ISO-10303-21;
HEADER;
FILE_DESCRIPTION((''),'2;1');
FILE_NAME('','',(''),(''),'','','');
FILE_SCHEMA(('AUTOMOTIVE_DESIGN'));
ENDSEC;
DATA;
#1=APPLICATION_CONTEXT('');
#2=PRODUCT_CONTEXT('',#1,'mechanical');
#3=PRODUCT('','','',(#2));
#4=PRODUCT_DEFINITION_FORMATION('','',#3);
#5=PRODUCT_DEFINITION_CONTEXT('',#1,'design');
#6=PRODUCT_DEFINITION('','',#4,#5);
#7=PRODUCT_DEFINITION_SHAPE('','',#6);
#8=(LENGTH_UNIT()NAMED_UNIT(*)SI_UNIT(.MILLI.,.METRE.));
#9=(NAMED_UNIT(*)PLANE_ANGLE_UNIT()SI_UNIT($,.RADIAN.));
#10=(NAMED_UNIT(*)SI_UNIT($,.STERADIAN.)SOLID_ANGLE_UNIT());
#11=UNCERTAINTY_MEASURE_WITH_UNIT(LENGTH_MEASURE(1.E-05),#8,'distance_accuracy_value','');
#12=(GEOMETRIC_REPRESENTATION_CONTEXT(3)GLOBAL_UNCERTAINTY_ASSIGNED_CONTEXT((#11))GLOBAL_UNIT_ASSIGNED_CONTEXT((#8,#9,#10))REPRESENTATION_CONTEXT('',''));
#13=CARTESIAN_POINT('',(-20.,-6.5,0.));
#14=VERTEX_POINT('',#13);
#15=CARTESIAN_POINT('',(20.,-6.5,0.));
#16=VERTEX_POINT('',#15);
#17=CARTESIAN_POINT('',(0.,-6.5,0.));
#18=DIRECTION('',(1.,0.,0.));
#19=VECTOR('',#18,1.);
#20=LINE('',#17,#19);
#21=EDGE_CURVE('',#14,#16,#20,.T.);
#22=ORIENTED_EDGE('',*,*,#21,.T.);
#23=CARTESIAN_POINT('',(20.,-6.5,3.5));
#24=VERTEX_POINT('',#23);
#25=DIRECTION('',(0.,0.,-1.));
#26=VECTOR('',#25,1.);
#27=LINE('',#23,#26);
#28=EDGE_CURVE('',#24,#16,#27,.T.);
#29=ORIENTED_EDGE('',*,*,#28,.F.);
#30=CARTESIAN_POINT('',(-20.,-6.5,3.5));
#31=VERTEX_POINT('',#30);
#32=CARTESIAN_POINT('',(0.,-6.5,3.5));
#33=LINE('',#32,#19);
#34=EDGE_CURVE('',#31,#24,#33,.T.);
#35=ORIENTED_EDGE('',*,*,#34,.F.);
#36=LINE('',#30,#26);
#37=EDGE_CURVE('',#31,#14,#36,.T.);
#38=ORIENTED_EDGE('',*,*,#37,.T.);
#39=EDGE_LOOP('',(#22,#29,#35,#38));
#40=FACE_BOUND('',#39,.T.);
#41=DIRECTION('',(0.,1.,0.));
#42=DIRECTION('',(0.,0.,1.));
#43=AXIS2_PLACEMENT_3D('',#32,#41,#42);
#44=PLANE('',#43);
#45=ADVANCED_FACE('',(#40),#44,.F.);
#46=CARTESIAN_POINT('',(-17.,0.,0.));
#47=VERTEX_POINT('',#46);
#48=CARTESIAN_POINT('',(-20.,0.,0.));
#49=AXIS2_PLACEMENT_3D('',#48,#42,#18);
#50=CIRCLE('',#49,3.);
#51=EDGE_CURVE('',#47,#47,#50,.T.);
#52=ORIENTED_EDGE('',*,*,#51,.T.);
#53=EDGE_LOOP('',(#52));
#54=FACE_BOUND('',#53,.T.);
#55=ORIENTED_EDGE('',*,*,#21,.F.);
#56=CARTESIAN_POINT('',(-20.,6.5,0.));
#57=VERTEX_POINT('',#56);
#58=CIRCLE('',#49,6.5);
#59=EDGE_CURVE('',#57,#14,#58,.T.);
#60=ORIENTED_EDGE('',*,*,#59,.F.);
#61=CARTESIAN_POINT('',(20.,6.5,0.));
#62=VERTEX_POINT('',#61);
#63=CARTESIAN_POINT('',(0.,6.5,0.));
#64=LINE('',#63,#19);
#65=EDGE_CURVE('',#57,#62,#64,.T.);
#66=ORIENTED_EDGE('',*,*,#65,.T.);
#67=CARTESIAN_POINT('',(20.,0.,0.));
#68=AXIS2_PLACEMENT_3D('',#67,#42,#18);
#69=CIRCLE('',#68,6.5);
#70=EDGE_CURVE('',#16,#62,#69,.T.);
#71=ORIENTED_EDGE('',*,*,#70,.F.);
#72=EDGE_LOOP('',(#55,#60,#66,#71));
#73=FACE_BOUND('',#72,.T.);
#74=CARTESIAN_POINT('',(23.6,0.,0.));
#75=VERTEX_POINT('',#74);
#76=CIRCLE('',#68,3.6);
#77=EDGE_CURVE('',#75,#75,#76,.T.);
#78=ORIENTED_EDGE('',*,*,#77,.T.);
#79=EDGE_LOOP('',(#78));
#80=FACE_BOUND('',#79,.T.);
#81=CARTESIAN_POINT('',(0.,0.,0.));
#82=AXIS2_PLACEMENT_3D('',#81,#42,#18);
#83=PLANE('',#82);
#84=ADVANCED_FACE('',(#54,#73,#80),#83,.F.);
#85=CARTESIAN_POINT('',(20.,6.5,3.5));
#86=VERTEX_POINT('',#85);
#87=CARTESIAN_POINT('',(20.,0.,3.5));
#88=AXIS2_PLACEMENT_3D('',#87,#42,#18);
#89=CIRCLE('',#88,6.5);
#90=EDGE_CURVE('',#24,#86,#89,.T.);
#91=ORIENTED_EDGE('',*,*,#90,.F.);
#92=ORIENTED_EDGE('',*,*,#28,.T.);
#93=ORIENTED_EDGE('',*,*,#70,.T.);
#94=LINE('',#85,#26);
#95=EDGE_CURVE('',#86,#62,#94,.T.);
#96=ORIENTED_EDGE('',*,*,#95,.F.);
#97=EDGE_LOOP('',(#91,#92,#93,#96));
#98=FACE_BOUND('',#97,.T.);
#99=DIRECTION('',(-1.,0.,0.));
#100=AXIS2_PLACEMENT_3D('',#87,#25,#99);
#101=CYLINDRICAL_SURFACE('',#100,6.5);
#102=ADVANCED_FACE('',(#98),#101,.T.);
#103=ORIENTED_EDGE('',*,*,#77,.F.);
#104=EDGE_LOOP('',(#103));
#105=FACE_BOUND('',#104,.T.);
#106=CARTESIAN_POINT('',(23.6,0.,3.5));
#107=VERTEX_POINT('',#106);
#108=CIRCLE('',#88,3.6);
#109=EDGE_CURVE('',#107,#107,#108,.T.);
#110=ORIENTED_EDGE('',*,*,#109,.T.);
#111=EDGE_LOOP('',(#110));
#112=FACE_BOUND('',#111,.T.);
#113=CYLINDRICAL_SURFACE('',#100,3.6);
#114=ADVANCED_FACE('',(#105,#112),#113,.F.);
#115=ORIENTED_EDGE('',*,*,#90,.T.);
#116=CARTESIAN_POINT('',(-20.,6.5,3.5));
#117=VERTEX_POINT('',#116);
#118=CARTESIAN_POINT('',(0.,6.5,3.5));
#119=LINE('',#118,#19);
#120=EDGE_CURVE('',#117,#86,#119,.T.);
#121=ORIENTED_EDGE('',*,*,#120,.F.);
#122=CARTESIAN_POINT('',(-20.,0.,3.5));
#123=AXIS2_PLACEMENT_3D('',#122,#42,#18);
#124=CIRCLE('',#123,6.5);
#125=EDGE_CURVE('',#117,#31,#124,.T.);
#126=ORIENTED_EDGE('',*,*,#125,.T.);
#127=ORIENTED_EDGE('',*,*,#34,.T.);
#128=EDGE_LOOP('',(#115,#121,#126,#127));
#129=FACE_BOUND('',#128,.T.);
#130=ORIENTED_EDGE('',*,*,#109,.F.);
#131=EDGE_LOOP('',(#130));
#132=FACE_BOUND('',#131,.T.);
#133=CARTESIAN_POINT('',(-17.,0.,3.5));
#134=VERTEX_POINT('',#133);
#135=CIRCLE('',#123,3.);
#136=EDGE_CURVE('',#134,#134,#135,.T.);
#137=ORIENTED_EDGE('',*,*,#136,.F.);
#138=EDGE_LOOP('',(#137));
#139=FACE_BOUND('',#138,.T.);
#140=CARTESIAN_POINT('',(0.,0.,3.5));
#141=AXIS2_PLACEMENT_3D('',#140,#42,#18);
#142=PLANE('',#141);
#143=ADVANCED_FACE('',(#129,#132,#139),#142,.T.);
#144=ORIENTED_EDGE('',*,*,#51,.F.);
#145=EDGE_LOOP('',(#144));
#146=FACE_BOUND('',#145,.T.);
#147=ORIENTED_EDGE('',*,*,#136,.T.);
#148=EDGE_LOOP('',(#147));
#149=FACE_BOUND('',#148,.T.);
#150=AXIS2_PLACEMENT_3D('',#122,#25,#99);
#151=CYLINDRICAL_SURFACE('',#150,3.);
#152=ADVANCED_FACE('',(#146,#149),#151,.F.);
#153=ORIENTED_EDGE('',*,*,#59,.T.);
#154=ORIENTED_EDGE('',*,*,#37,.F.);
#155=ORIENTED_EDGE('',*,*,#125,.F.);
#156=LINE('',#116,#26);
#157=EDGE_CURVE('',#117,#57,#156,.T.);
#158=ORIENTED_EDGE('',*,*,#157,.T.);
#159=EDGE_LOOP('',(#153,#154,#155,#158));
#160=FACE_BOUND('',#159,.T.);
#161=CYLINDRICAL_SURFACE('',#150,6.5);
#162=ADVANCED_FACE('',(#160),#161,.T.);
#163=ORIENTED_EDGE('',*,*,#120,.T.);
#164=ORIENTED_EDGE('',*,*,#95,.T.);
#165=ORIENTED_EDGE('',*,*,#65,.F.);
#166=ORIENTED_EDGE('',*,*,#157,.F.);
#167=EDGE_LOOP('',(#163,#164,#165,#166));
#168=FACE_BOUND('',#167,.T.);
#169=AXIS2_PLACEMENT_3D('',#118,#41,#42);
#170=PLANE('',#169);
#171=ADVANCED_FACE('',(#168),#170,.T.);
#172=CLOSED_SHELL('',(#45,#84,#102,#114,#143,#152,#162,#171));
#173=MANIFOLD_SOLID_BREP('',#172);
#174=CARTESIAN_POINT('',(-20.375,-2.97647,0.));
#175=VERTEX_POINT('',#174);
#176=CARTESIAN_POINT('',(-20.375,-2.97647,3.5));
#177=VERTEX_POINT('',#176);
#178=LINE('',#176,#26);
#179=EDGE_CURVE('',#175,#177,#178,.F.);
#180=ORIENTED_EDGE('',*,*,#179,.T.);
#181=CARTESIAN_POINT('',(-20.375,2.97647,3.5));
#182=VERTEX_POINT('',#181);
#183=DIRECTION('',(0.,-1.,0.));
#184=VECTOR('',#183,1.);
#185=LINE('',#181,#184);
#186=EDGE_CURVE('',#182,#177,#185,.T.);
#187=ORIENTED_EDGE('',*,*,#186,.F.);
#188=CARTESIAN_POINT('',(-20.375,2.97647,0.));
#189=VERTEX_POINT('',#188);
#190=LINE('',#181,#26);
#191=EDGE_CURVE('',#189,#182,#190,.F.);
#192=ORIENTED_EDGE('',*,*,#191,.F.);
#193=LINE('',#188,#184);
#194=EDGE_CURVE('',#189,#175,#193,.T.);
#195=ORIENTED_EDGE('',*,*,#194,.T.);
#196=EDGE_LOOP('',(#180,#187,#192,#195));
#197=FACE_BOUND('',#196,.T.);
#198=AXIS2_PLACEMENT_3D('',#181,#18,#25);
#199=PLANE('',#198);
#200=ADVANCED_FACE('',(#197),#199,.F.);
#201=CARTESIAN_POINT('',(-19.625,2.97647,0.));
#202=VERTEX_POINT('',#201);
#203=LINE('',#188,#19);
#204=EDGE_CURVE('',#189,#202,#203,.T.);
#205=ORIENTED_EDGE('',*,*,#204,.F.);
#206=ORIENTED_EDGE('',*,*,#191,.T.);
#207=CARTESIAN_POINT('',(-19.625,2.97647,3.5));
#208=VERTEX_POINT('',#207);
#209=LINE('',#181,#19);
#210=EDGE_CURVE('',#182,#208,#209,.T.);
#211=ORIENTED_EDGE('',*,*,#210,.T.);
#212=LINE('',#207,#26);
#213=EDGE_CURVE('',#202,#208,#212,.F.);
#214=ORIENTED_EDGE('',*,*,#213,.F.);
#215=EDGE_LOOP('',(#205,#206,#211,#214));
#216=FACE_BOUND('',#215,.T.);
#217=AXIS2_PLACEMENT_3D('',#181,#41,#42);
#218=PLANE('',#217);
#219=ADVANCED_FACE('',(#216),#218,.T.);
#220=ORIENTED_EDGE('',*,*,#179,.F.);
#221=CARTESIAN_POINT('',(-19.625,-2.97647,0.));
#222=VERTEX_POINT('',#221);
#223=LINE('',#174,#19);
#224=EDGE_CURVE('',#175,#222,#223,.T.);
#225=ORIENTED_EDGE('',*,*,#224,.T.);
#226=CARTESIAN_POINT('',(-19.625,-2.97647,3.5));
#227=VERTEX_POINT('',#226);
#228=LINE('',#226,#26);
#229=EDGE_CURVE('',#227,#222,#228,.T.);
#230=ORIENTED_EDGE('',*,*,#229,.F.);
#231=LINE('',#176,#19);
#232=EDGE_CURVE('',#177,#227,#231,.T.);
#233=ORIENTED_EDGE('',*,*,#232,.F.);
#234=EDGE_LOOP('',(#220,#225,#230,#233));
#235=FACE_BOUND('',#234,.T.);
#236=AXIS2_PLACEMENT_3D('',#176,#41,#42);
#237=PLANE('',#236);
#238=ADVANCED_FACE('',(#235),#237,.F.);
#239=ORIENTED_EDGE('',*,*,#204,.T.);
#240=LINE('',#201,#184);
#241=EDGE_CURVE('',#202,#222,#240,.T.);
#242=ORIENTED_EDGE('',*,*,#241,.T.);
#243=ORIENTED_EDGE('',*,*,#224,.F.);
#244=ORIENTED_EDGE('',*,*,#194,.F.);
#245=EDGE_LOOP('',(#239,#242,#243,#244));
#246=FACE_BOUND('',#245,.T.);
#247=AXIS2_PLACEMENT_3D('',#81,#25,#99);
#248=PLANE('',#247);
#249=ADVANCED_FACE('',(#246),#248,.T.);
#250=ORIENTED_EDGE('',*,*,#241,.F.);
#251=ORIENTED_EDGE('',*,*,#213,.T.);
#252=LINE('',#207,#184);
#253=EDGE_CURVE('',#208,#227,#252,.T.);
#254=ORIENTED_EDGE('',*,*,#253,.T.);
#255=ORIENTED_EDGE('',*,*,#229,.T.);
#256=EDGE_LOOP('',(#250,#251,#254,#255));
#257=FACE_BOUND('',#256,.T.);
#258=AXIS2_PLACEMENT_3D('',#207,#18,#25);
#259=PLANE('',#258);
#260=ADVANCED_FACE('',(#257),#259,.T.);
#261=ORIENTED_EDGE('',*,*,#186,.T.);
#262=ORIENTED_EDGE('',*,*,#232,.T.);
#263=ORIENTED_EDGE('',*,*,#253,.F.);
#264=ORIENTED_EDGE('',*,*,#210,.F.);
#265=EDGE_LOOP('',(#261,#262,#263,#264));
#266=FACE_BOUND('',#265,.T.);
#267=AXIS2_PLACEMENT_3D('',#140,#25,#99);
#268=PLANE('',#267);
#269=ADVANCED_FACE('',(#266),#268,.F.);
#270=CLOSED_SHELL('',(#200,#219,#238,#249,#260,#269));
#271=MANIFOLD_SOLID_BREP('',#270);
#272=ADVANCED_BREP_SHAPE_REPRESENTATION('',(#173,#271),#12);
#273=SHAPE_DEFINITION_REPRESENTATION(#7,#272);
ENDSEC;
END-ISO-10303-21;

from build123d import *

# Parameters (mm, degrees)
SKETCH_1_R        = 3.6
SKETCH_1_R_2      = 3
EXTRUDE_3_DEPTH   = 3.5
SKETCH_1_W        = 0.75
SKETCH_1_H        = 5.95294045
EXTRUDE_3_2_DEPTH = 3.5


with BuildPart() as part:
    # 草图1 → 凸台-拉伸3 (new body)
    with BuildSketch(Plane.XY):
        with BuildLine():
            Line((-20, -6.5), (20, -6.5))
            ThreePointArc((20, -6.5), (26.5, 0), (20, 6.5))
            Line((20, 6.5), (-20, 6.5))
            ThreePointArc((-20, 6.5), (-26.5, 0), (-20, -6.5))
        make_face()
        with Locations((20, 0)):
            Circle(SKETCH_1_R, mode=Mode.SUBTRACT)
        with Locations((-20, 0)):
            Circle(SKETCH_1_R_2, mode=Mode.SUBTRACT)
    extrude(amount=EXTRUDE_3_DEPTH)


with BuildPart() as body_2:
    # 草图1 → Extrude 3 2 (new body)
    with BuildSketch(Plane.XY):
        with Locations((-20, 0)):
            Rectangle(SKETCH_1_W, SKETCH_1_H)
    extrude(amount=EXTRUDE_3_2_DEPTH)


solid = Compound([part.part, body_2.part])
